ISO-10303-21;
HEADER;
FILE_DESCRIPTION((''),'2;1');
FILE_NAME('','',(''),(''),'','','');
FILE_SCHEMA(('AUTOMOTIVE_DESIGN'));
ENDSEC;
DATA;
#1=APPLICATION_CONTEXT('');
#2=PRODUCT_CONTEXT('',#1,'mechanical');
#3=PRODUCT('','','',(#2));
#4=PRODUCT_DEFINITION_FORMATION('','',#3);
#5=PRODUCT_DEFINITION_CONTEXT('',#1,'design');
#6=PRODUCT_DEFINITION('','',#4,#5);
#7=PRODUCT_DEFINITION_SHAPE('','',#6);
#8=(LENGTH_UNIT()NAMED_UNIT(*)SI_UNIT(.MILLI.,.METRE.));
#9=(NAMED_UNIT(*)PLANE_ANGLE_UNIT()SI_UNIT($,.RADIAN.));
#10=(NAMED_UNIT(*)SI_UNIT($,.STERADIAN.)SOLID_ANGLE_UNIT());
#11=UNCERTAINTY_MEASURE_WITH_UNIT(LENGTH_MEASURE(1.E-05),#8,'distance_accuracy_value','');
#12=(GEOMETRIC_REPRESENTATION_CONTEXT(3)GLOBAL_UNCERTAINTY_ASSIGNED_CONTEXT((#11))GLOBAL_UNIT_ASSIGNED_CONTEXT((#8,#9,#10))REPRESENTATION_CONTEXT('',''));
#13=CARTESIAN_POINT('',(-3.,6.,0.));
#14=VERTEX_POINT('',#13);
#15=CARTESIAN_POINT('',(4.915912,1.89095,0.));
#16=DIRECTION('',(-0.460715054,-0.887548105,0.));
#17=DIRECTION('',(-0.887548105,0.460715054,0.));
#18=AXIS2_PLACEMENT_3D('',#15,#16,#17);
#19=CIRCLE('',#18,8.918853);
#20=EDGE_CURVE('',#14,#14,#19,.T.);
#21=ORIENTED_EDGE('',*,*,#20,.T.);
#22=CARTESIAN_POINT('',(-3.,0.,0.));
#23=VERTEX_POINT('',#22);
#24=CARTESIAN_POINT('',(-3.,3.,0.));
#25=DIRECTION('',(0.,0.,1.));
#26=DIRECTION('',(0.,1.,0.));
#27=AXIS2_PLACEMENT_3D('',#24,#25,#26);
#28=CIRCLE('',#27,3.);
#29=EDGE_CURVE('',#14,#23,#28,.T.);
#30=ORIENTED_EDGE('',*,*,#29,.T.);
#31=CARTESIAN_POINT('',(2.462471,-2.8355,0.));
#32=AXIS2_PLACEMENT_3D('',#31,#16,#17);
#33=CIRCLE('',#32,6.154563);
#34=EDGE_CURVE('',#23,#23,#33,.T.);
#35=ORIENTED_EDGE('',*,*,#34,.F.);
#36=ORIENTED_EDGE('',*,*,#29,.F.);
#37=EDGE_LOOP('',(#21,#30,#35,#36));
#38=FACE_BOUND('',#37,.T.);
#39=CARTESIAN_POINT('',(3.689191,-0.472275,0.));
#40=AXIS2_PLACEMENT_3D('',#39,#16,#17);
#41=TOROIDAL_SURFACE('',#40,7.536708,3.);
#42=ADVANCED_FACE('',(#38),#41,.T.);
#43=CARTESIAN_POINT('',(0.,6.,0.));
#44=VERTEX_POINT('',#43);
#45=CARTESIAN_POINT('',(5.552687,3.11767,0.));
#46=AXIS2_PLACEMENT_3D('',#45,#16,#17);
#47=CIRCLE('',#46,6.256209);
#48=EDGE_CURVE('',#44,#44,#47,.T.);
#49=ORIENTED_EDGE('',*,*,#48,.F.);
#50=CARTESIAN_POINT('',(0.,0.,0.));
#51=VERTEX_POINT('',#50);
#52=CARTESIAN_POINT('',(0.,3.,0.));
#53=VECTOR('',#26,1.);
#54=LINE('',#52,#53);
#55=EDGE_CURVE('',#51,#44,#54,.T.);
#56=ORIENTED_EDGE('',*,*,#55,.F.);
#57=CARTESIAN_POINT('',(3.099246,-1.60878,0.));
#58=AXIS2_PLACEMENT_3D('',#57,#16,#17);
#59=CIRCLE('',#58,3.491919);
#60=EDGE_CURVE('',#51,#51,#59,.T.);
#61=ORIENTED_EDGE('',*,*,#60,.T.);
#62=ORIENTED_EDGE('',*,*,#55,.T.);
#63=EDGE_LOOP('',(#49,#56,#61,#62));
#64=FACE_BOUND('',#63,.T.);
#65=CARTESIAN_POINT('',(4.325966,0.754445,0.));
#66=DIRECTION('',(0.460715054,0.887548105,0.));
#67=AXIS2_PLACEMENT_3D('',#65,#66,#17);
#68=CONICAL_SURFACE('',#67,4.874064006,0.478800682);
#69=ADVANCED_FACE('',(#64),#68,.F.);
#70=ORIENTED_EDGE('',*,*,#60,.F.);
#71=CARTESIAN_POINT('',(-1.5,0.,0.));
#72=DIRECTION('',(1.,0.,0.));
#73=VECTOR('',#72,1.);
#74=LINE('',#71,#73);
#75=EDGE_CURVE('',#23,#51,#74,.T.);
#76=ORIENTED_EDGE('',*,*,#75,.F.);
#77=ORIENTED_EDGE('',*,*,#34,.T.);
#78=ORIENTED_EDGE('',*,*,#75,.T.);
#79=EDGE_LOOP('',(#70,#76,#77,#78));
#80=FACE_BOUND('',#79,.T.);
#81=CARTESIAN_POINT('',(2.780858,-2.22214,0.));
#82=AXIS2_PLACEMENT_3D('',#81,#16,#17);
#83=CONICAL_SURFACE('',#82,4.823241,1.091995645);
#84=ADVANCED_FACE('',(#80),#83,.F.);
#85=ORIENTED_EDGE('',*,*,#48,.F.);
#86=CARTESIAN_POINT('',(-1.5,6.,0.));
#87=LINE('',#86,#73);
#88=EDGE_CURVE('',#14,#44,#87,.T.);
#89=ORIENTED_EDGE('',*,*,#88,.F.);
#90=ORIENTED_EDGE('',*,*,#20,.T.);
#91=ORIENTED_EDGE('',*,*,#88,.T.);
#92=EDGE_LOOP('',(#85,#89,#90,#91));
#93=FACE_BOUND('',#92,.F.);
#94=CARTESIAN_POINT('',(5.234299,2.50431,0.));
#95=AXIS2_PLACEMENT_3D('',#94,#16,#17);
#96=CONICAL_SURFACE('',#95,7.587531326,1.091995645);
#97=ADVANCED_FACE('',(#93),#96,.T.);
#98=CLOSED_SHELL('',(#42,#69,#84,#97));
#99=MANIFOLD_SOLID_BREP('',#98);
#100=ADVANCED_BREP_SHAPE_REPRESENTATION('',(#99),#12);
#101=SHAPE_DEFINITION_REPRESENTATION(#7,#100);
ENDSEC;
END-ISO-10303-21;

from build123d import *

# Parameters (mm, degrees)
F0_W = 3
F0_H = 6


with BuildPart() as f1:
    # F0 (on Top) → F1 (revolve)
    with BuildSketch(Plane.XY):
        with BuildLine():
            ThreePointArc((-3, 6), (-6, 3), (-3, 0))
            Line((-3, 0), (-3, 6))
        make_face()
        with Locations((-1.5, 3)):
            Rectangle(F0_W, F0_H)
    revolve(axis=Axis((5.467172, 2.95293, 0), (-0.460715, -0.887548, 0)))


solid = f1.part
